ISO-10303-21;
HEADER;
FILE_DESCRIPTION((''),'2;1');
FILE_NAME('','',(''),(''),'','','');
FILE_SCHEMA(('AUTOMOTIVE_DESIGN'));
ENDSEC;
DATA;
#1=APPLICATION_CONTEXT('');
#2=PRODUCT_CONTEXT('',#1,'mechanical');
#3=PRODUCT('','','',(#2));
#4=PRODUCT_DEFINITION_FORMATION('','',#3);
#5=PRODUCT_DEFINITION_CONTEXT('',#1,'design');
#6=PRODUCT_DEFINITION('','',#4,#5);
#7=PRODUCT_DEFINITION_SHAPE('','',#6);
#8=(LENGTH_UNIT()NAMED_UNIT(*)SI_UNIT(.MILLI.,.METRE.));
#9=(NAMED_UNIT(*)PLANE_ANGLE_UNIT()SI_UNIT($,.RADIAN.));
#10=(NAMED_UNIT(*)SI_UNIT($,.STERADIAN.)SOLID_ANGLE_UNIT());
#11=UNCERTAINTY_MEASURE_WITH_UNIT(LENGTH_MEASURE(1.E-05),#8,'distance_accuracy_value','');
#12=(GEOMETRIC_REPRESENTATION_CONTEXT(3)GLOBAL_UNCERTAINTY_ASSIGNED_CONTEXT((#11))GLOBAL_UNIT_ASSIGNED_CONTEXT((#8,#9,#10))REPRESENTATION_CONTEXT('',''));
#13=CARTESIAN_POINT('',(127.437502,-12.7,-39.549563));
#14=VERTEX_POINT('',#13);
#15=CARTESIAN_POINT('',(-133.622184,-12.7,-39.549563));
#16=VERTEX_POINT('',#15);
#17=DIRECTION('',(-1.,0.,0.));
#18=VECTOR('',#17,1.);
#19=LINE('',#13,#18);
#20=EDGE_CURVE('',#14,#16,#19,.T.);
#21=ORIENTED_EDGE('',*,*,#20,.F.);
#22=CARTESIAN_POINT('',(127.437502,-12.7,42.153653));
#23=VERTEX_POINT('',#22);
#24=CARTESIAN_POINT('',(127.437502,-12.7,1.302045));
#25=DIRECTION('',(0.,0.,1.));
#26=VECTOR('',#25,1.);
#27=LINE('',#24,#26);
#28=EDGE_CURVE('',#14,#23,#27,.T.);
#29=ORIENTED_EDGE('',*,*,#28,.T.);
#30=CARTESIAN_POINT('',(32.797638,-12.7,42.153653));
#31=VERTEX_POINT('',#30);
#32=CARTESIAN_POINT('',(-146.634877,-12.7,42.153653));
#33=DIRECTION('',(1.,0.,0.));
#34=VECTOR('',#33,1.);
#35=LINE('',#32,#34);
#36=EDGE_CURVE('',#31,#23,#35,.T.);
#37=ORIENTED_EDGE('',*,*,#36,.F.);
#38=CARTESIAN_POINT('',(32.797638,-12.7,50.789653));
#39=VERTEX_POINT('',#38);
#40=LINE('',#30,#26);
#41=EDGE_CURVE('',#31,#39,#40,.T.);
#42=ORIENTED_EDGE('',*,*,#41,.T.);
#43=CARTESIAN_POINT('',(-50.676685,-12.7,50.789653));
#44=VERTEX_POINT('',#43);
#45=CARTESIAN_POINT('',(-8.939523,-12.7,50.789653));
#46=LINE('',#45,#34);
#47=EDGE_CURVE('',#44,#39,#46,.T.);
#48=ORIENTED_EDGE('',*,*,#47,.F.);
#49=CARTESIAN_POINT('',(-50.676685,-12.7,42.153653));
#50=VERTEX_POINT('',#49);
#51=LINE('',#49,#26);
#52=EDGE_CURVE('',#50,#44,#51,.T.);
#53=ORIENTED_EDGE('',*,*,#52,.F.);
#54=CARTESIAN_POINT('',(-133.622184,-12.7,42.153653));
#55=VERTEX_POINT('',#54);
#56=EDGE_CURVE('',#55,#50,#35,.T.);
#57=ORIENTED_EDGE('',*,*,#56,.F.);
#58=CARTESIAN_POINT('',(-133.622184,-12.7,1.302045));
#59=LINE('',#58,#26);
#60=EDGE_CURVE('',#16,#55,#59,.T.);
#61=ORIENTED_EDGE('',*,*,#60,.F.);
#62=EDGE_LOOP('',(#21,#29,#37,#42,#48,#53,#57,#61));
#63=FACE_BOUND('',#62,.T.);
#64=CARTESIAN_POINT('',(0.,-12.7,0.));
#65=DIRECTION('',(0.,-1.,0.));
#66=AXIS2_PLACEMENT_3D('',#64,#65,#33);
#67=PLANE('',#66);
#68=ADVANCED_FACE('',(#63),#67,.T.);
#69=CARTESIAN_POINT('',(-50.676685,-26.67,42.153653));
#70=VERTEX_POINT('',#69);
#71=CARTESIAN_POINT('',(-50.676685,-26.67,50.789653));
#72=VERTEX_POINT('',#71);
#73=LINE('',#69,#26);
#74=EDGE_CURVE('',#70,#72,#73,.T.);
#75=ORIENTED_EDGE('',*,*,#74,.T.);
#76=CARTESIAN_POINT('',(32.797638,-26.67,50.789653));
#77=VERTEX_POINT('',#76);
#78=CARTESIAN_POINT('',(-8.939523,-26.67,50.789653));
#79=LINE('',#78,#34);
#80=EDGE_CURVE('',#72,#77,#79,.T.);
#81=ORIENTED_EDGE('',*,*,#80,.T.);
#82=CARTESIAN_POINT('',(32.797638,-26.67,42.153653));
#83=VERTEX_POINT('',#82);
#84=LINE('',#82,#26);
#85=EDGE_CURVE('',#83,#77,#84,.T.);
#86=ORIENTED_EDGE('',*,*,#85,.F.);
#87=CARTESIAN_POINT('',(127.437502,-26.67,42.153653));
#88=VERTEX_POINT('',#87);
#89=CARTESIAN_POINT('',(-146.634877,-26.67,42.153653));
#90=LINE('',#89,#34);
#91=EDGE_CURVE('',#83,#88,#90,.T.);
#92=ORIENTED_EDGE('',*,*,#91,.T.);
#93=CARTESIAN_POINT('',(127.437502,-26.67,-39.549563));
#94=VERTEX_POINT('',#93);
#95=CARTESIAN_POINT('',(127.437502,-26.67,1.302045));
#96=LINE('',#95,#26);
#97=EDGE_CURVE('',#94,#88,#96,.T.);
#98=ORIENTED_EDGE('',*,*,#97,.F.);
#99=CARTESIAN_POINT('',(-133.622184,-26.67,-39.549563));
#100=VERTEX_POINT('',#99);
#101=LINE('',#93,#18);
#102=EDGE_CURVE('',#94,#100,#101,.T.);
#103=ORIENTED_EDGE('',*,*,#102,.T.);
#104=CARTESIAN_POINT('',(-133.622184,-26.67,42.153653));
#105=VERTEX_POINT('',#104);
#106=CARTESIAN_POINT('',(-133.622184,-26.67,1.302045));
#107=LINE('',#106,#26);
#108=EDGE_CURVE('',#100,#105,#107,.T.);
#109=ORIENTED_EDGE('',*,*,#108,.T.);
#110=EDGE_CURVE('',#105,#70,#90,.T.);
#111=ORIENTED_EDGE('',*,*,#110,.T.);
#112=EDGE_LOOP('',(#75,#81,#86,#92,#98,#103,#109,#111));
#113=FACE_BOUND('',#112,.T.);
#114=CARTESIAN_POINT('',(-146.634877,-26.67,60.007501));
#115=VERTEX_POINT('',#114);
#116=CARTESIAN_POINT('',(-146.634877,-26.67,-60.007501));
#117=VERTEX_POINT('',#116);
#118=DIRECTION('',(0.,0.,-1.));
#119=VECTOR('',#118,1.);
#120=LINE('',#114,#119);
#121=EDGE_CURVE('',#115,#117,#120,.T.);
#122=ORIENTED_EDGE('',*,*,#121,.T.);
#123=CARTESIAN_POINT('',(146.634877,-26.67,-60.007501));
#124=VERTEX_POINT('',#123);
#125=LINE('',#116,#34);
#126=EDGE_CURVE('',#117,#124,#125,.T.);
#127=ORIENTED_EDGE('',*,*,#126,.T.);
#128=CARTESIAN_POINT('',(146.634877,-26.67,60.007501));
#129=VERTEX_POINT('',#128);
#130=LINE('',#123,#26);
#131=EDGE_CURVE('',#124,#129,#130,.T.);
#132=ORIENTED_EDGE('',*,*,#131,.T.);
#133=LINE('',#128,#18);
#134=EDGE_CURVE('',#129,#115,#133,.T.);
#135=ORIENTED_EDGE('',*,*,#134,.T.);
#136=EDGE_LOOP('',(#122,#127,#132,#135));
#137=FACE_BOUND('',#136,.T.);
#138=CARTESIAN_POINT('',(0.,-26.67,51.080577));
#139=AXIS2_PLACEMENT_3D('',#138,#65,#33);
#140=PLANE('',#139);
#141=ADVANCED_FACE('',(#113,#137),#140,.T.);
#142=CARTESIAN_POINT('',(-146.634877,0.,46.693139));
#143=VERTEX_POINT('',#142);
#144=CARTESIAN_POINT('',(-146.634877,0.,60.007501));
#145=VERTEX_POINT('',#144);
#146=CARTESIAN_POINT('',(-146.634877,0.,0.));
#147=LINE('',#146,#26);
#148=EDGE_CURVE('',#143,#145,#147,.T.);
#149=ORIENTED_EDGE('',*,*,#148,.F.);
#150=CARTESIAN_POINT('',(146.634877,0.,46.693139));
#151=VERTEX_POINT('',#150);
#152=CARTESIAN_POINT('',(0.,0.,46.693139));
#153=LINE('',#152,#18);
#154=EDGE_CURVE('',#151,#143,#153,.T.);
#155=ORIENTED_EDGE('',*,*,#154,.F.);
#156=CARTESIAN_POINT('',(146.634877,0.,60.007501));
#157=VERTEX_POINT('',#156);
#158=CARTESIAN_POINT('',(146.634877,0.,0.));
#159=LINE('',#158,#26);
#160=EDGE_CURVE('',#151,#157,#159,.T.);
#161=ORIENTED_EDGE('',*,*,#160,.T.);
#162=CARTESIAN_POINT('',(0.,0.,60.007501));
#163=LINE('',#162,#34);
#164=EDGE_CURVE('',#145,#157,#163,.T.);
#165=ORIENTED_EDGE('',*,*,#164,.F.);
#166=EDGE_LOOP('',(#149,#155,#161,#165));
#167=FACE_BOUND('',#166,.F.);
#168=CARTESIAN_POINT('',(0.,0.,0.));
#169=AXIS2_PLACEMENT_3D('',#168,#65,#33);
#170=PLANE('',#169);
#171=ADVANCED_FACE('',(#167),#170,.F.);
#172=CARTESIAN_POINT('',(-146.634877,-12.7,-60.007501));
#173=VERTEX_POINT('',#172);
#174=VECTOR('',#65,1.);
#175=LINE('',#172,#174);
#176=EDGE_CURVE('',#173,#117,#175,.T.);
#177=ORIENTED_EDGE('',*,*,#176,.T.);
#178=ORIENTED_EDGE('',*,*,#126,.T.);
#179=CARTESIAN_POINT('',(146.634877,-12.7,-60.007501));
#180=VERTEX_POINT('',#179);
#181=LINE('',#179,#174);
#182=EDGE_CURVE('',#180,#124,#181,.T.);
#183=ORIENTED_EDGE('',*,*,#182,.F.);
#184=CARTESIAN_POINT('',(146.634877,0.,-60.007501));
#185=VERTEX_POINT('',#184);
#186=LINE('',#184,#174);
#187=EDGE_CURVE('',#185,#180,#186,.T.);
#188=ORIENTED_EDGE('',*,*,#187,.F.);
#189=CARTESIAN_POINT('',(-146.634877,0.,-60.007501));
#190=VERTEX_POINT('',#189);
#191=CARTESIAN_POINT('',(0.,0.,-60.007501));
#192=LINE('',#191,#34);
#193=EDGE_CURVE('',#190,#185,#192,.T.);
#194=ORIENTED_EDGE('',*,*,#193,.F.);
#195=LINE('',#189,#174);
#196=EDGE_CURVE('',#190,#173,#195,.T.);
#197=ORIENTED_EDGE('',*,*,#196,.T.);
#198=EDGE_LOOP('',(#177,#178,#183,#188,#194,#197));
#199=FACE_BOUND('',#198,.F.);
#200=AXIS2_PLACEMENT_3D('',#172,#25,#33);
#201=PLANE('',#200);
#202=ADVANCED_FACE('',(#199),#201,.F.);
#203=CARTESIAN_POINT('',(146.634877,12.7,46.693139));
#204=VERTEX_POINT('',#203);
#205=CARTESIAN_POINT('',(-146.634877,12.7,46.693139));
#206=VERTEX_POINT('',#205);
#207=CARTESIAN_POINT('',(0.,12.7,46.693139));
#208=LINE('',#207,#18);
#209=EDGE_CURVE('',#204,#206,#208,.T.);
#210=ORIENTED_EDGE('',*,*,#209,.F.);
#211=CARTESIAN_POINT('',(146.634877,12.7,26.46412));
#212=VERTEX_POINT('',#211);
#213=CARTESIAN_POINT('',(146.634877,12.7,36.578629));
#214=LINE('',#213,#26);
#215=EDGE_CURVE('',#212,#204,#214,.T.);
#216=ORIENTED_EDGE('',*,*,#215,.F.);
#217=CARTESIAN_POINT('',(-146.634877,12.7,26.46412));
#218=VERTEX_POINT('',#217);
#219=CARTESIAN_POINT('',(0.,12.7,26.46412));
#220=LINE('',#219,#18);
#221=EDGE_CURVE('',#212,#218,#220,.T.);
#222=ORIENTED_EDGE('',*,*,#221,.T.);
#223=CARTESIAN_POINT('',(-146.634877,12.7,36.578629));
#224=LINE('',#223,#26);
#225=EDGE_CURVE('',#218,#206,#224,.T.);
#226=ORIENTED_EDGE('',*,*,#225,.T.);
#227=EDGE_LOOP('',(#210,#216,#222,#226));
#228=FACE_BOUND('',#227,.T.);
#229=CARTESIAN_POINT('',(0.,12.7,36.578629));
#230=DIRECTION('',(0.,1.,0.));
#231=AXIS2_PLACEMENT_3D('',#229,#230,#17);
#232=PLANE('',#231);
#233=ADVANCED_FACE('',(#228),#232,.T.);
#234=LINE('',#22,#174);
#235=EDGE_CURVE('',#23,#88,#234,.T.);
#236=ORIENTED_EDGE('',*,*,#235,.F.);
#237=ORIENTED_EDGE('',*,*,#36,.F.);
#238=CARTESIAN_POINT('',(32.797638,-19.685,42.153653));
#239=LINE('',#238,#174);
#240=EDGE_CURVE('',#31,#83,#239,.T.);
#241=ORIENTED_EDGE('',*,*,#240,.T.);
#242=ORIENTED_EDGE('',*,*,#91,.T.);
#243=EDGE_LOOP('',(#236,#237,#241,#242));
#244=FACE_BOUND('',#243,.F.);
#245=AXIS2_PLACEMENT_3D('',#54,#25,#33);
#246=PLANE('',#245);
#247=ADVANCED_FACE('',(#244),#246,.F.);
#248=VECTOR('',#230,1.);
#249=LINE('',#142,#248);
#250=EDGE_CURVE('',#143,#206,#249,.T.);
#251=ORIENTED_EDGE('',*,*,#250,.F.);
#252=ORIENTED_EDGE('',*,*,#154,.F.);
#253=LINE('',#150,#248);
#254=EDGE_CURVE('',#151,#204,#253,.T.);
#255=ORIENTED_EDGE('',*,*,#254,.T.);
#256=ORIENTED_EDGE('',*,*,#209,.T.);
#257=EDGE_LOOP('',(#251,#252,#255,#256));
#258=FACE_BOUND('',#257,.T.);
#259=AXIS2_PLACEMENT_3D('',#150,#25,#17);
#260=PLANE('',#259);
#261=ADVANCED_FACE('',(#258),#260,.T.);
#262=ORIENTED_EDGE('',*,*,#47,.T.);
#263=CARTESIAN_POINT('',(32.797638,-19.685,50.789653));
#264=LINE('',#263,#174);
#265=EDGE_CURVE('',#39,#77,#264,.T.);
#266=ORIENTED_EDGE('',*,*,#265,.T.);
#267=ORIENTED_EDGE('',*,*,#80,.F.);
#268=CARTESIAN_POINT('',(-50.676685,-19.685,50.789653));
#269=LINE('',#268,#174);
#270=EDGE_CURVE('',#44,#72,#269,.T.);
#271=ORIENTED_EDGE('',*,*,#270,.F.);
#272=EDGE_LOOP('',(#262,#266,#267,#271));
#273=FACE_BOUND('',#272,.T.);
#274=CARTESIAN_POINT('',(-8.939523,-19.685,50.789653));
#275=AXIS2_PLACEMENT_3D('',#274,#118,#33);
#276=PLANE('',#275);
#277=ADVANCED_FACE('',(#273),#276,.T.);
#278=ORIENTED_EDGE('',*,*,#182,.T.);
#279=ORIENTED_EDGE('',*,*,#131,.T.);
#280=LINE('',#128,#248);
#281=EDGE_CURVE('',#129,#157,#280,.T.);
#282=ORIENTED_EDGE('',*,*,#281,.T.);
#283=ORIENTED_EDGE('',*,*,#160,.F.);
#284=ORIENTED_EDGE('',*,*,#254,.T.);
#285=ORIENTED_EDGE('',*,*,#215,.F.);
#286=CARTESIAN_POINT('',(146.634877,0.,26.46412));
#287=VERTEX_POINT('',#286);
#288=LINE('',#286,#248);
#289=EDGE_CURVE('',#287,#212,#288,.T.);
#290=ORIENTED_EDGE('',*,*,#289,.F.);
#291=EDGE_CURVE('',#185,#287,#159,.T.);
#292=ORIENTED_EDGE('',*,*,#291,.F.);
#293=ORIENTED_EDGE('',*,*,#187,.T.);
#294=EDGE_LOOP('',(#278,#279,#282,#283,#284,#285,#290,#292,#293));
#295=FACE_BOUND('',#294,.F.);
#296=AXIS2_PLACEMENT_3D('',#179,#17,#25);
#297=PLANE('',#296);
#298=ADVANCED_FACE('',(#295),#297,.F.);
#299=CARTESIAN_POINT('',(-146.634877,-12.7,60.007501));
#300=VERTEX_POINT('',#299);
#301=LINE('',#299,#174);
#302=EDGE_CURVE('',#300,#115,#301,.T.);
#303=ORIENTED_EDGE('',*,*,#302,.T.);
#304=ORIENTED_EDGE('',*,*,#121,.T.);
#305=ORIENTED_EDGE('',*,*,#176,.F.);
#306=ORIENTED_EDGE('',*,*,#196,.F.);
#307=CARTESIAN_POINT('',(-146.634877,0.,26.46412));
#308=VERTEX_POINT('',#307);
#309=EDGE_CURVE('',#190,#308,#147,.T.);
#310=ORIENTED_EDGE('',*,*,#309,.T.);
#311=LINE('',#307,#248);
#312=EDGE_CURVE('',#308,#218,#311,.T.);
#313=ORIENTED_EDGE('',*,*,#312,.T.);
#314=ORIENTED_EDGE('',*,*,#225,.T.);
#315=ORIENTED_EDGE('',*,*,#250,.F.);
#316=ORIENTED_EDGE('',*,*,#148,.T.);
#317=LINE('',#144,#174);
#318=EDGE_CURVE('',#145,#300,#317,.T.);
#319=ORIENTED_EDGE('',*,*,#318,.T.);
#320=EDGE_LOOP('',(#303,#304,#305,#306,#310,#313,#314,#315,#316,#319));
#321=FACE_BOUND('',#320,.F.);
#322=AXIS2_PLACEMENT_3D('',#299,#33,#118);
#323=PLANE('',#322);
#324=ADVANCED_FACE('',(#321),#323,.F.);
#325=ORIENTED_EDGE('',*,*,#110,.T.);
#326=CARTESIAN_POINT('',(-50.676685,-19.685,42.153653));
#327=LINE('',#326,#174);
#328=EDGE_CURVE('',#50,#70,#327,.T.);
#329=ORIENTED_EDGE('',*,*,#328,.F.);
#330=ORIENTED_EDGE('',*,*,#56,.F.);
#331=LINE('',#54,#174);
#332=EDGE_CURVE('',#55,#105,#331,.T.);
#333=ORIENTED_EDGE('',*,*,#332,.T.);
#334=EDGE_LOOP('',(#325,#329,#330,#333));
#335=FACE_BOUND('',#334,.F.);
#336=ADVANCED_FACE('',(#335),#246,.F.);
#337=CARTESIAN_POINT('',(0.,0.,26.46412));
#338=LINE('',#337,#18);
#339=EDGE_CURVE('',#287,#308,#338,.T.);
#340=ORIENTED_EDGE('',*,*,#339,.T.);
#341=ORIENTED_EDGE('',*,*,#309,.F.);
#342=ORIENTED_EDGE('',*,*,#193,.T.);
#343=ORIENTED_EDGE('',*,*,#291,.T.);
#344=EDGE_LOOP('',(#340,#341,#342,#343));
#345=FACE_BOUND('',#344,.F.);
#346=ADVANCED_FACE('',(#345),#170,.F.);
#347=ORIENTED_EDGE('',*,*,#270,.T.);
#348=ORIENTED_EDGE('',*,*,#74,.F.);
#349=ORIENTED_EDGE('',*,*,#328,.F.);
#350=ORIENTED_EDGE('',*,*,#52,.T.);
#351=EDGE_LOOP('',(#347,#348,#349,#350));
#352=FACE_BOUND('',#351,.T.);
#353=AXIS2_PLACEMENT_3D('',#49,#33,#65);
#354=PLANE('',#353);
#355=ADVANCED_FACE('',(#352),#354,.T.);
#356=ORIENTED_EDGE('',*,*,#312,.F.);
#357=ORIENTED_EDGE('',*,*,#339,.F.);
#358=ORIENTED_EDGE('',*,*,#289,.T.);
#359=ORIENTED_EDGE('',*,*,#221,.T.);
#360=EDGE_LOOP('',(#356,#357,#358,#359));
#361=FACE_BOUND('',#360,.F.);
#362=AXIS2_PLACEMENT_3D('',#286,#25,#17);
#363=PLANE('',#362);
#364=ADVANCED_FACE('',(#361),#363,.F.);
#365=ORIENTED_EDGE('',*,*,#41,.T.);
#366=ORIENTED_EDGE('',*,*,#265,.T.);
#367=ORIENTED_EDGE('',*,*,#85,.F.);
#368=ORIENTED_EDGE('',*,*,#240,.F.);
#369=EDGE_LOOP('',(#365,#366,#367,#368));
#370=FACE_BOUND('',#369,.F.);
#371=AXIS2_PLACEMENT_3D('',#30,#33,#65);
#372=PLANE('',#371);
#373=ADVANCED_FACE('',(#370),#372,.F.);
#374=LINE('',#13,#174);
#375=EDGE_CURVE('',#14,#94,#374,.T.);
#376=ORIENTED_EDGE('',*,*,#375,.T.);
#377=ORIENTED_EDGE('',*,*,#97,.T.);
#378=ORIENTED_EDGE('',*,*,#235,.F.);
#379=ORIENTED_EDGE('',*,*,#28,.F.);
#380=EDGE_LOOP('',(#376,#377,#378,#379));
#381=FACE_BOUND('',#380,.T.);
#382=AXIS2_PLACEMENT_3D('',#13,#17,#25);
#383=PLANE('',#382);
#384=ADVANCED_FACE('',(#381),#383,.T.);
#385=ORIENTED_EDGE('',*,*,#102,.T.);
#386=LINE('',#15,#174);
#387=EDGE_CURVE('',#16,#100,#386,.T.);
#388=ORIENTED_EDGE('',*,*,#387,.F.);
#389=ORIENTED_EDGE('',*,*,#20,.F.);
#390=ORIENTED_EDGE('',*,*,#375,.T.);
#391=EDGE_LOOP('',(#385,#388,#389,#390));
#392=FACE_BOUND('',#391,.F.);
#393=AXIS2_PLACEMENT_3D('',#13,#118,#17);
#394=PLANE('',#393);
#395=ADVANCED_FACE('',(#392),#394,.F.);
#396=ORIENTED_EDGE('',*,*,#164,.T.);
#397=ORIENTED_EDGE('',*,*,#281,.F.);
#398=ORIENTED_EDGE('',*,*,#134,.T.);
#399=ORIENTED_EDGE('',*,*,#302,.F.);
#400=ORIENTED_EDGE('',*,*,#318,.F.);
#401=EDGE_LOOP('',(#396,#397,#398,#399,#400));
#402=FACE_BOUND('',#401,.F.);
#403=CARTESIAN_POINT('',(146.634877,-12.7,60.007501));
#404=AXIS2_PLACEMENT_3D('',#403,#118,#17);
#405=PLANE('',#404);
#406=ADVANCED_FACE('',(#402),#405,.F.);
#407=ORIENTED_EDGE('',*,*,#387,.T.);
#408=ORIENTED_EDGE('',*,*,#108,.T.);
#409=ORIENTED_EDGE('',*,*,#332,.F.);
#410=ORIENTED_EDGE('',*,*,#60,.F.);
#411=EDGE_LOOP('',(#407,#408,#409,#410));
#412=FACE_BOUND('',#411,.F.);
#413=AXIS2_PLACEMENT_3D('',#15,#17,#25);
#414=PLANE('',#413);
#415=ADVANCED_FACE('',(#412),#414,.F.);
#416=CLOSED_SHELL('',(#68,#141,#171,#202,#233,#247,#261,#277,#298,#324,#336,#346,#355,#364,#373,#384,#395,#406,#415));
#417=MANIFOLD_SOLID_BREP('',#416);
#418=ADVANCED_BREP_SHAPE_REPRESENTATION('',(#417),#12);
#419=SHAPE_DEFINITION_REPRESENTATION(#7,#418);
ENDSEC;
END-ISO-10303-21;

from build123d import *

# Parameters (mm, degrees)
F0_W     = 293.2697534561
F0_H     = 120.0150027871
F1_DEPTH = 12.7
F2_W     = 19.1973745823
F2_H     = 81.7032158375
F2_W_2   = 13.0126923323
F3_DEPTH = 13.97
F4_W     = 293.2697534561
F4_H     = 20.2290192246
F5_DEPTH = 12.7
F6_W     = 83.4743231535
F6_H     = 13.97
F7_DEPTH = 8.636


with BuildPart() as f1:
    # F0 (on Front) → F1 (new body)
    with BuildSketch(Plane.XZ):
        Rectangle(F0_W, F0_H)
    extrude(amount=F1_DEPTH)

    # F2 (on face) → F3 (join)
    with BuildSketch(Plane.XZ.offset(12.7)):
        Polygon((146.6348767281, 60.0075013936), (-146.6348767281, 60.0075013936), (-146.6348767281, 42.1536527574), (-133.6221843958, 42.1536527574), (127.4375021458, 42.1536527574), (146.6348767281, 42.1536527574), align=None)
        with Locations((137.0361894369, 1.3020448387)):
            Rectangle(F2_W, F2_H)
        with Locations((-140.1285305619, 1.3020448387)):
            Rectangle(F2_W_2, F2_H)
        Polygon((-133.6221843958, -39.5495630801), (-146.6348767281, -39.5495630801), (-146.6348767281, -60.0075013936), (146.6348767281, -60.0075013936), (146.6348767281, -39.5495630801), (127.4375021458, -39.5495630801), align=None)
    extrude(amount=F3_DEPTH)

    # F4 (on face) → F5 (join)
    with BuildSketch(Plane(origin=(0, 0, 0), x_dir=(-1, 0, 0), z_dir=(0, 1, 0))):
        with Locations((0, 36.5786291659)):
            Rectangle(F4_W, F4_H)
    extrude(amount=F5_DEPTH)

    # F6 (on face) → F7 (cut)
    with BuildSketch(Plane(origin=(0, 0, 42.1536527574), x_dir=(1, 0, 0), z_dir=(0, 0, -1))):
        with Locations((-8.9395232499, 19.685)):
            Rectangle(F6_W, F6_H)
    extrude(amount=-F7_DEPTH, mode=Mode.SUBTRACT)


solid = f1.part
